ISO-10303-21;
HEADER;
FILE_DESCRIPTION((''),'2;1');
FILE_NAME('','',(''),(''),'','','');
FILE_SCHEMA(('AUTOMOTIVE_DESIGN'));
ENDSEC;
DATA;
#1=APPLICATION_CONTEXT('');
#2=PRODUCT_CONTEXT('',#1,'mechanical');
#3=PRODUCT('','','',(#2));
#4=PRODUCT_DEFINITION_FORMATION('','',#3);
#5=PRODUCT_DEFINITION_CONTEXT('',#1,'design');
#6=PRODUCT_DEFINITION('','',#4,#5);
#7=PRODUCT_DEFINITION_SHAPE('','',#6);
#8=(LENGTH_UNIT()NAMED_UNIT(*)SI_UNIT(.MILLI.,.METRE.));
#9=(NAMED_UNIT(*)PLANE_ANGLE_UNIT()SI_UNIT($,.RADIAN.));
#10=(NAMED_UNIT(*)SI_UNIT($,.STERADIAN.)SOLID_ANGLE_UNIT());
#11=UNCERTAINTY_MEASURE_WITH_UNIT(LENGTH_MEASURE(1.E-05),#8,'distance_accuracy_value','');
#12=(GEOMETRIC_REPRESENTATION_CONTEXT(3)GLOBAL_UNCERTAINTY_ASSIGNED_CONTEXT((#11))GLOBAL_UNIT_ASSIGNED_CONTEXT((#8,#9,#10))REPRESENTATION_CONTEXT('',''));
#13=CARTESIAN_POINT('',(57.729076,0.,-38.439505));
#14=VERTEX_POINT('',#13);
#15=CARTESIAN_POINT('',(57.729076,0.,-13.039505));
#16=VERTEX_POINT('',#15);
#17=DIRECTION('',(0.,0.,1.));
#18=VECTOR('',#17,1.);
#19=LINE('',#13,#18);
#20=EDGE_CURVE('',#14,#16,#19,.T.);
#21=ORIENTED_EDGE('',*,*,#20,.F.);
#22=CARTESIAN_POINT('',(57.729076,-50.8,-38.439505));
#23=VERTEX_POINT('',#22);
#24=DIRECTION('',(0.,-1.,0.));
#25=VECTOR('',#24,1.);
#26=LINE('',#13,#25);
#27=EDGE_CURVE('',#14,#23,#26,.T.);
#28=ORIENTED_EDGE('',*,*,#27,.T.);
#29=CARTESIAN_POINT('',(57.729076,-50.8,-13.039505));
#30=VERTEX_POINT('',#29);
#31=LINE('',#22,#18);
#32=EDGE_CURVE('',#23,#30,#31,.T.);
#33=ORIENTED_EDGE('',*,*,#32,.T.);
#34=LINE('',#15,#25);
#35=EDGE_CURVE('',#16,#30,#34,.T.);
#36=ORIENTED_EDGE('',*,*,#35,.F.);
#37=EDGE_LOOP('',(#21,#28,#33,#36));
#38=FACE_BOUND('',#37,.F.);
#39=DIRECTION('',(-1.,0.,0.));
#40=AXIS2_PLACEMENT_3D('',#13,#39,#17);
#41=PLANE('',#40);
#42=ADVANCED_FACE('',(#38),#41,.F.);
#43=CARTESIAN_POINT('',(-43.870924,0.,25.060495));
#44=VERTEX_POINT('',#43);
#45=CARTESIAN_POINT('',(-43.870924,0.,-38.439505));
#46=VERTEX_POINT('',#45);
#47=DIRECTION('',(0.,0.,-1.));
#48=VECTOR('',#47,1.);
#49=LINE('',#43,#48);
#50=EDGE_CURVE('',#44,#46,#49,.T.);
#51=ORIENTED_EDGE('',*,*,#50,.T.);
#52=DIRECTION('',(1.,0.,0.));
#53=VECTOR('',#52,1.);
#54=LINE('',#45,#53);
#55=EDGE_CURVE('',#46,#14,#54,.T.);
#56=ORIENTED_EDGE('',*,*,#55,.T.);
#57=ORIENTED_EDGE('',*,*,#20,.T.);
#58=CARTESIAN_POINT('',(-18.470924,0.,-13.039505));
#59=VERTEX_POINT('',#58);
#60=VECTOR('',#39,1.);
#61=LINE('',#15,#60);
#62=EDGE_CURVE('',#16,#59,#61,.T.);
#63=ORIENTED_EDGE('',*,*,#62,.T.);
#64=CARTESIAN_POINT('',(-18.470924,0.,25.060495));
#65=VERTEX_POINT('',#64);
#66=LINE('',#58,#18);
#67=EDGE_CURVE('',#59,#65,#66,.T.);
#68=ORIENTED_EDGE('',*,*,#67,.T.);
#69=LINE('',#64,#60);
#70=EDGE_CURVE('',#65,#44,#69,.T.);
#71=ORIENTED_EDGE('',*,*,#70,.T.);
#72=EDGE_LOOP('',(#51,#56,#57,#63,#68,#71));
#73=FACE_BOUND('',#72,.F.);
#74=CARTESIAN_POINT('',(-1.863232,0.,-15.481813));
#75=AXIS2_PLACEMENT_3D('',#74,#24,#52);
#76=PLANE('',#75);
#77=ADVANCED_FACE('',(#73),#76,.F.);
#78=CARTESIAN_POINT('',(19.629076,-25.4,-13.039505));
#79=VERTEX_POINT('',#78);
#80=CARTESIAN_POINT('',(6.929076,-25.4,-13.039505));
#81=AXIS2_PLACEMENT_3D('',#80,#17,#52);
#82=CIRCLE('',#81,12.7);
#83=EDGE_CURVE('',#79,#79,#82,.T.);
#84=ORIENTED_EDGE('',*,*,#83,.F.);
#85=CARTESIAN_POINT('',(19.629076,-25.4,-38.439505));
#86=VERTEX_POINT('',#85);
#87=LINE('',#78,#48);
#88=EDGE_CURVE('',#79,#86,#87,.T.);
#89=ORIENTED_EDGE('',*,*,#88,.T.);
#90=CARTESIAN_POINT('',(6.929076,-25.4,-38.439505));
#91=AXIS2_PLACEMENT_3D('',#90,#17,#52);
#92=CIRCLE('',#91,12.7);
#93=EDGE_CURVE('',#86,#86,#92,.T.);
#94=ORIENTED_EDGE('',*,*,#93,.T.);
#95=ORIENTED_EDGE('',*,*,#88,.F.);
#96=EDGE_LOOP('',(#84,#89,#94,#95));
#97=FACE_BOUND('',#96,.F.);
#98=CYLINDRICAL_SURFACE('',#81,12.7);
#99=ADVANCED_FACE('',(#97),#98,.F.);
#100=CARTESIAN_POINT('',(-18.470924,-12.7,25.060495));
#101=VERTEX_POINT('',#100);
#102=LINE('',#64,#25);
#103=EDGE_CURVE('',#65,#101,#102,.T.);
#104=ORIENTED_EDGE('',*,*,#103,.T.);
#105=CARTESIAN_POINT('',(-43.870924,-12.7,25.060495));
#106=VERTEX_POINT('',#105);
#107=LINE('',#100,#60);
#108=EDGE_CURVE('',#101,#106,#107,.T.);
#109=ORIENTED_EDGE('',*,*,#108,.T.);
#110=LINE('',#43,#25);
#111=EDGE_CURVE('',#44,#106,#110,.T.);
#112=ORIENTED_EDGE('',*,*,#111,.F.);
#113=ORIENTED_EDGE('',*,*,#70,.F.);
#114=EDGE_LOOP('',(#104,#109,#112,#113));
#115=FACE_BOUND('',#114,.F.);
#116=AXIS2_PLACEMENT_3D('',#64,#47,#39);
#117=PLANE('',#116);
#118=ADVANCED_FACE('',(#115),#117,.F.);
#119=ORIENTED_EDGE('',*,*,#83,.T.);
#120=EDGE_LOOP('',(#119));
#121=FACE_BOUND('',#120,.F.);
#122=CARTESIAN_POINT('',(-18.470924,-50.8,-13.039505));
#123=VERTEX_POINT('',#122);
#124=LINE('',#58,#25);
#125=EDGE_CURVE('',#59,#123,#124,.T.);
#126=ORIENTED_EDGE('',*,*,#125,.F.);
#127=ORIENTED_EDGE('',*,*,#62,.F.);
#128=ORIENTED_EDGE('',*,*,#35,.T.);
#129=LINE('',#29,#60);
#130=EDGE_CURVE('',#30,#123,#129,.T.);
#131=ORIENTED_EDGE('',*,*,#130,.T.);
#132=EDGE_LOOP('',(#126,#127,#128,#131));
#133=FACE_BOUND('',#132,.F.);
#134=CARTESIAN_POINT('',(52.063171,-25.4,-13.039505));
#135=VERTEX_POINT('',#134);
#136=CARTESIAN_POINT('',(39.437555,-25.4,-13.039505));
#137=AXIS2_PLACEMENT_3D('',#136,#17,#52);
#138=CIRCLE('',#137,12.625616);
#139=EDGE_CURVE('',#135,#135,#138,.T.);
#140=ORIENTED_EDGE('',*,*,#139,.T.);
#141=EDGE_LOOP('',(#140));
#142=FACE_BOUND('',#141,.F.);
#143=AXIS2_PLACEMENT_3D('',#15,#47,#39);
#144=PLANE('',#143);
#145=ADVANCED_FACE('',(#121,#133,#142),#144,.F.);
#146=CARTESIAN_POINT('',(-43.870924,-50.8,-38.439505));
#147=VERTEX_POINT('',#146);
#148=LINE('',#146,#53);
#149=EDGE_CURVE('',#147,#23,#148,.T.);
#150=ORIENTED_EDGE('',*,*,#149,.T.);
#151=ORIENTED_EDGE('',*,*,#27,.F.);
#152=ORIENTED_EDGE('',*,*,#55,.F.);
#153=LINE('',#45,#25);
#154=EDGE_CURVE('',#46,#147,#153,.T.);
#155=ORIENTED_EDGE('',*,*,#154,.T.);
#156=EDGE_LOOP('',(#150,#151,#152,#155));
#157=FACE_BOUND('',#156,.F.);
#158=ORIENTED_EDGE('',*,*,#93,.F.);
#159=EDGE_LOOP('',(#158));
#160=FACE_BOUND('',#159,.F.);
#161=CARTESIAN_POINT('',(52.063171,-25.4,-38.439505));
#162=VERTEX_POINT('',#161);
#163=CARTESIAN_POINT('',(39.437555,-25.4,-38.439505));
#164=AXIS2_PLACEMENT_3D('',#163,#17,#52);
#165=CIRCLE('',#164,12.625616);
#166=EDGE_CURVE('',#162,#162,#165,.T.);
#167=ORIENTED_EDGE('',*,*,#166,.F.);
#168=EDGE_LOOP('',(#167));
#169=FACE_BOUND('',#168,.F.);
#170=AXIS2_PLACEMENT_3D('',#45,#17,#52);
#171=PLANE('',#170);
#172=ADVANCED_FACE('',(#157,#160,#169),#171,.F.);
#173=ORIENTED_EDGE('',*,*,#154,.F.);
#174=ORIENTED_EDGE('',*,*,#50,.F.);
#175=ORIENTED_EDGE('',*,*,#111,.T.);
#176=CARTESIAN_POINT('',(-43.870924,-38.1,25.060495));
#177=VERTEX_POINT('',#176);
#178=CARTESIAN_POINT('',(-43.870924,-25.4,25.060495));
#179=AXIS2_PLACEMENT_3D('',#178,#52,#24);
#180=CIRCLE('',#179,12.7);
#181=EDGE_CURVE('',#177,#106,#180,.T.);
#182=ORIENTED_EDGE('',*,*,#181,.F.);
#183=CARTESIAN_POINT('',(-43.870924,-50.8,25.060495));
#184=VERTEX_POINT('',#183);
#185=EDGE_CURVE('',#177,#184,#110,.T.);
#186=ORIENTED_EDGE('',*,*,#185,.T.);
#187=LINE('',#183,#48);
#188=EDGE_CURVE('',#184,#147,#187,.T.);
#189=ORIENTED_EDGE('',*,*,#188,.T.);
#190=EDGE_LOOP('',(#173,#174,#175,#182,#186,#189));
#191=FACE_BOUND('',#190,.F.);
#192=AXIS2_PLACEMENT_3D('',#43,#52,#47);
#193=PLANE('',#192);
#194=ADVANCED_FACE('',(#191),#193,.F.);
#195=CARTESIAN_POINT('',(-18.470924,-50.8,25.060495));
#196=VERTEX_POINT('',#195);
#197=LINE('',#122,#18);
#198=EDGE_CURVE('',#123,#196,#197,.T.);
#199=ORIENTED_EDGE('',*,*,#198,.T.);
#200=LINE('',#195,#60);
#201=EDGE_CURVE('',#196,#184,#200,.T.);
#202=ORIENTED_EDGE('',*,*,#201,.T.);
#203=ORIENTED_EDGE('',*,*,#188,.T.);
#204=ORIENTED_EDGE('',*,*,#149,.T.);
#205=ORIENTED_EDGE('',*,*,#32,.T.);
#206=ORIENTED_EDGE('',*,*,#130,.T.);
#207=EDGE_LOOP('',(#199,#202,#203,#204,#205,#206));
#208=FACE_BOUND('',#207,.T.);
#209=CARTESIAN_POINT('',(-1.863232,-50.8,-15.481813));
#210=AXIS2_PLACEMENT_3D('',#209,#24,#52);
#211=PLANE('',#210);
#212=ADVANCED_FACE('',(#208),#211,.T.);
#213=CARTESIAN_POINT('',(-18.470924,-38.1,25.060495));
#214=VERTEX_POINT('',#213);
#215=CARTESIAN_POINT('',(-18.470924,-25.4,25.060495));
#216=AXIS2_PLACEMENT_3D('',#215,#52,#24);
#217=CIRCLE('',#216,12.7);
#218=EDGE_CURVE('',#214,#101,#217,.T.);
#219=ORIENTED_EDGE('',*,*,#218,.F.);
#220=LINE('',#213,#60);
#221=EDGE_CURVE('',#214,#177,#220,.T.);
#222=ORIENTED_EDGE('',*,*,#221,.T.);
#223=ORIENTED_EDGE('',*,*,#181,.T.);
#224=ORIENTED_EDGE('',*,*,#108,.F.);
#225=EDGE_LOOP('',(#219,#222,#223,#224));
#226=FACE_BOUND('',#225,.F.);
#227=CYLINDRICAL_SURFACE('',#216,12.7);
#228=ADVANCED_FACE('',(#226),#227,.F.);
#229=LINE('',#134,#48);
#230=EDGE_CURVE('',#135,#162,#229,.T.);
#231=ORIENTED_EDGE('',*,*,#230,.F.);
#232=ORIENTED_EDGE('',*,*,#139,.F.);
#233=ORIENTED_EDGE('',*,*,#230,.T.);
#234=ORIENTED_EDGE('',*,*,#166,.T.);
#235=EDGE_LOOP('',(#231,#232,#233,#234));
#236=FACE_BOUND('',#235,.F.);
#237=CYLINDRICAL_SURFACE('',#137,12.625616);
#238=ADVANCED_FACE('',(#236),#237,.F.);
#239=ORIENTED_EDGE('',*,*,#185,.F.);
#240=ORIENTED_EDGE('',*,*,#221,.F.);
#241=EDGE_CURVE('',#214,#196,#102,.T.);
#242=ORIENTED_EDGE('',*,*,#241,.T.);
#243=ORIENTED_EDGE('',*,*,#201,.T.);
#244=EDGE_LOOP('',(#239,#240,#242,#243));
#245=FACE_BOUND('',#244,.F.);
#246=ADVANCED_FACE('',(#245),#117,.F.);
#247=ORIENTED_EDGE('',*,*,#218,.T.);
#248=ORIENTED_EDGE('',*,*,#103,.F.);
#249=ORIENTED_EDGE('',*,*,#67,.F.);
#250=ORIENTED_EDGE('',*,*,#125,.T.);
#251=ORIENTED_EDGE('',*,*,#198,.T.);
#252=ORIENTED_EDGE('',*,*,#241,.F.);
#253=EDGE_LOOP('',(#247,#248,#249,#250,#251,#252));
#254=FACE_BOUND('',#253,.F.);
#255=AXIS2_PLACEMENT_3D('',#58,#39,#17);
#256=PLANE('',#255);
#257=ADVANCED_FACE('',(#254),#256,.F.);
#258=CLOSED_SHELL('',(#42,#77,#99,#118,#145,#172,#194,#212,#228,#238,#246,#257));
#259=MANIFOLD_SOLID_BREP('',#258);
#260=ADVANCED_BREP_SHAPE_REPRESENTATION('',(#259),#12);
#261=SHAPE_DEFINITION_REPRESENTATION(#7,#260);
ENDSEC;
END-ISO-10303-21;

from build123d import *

# Parameters (mm, degrees)
F1_DEPTH = 50.8
F3_DEPTH = 80.264
F4_R     = 12.7
F4_R_2   = 12.625616
F5_DEPTH = 50.8


with BuildPart() as f1:
    # F0 (on Front) → F1 (new body)
    with BuildSketch(Plane.XZ):
        Polygon((-18.470924, 25.060495), (-43.870924, 25.060495), (-43.870924, -38.439505), (57.729076, -38.439505), (57.729076, -13.039505), (-18.470924, -13.039505), align=None)
    extrude(amount=F1_DEPTH)

    # F2 (on face) → F3 (cut)
    with BuildSketch(Plane.YZ.offset(-18.470924)):
        with BuildLine():
            Line((-12.7, 25.060495), (-38.1, 25.060495))
            ThreePointArc((-38.1, 25.060495), (-25.4, 12.360495), (-12.7, 25.060495))
        make_face()
    extrude(amount=-F3_DEPTH, mode=Mode.SUBTRACT)

    # F4 (on face) → F5 (cut)
    with BuildSketch(Plane.XY.offset(-13.039505)):
        with Locations((6.929076, -25.4)):
            Circle(F4_R)
        with Locations((39.437555, -25.4)):
            Circle(F4_R_2)
    extrude(amount=-F5_DEPTH, mode=Mode.SUBTRACT)


solid = f1.part
